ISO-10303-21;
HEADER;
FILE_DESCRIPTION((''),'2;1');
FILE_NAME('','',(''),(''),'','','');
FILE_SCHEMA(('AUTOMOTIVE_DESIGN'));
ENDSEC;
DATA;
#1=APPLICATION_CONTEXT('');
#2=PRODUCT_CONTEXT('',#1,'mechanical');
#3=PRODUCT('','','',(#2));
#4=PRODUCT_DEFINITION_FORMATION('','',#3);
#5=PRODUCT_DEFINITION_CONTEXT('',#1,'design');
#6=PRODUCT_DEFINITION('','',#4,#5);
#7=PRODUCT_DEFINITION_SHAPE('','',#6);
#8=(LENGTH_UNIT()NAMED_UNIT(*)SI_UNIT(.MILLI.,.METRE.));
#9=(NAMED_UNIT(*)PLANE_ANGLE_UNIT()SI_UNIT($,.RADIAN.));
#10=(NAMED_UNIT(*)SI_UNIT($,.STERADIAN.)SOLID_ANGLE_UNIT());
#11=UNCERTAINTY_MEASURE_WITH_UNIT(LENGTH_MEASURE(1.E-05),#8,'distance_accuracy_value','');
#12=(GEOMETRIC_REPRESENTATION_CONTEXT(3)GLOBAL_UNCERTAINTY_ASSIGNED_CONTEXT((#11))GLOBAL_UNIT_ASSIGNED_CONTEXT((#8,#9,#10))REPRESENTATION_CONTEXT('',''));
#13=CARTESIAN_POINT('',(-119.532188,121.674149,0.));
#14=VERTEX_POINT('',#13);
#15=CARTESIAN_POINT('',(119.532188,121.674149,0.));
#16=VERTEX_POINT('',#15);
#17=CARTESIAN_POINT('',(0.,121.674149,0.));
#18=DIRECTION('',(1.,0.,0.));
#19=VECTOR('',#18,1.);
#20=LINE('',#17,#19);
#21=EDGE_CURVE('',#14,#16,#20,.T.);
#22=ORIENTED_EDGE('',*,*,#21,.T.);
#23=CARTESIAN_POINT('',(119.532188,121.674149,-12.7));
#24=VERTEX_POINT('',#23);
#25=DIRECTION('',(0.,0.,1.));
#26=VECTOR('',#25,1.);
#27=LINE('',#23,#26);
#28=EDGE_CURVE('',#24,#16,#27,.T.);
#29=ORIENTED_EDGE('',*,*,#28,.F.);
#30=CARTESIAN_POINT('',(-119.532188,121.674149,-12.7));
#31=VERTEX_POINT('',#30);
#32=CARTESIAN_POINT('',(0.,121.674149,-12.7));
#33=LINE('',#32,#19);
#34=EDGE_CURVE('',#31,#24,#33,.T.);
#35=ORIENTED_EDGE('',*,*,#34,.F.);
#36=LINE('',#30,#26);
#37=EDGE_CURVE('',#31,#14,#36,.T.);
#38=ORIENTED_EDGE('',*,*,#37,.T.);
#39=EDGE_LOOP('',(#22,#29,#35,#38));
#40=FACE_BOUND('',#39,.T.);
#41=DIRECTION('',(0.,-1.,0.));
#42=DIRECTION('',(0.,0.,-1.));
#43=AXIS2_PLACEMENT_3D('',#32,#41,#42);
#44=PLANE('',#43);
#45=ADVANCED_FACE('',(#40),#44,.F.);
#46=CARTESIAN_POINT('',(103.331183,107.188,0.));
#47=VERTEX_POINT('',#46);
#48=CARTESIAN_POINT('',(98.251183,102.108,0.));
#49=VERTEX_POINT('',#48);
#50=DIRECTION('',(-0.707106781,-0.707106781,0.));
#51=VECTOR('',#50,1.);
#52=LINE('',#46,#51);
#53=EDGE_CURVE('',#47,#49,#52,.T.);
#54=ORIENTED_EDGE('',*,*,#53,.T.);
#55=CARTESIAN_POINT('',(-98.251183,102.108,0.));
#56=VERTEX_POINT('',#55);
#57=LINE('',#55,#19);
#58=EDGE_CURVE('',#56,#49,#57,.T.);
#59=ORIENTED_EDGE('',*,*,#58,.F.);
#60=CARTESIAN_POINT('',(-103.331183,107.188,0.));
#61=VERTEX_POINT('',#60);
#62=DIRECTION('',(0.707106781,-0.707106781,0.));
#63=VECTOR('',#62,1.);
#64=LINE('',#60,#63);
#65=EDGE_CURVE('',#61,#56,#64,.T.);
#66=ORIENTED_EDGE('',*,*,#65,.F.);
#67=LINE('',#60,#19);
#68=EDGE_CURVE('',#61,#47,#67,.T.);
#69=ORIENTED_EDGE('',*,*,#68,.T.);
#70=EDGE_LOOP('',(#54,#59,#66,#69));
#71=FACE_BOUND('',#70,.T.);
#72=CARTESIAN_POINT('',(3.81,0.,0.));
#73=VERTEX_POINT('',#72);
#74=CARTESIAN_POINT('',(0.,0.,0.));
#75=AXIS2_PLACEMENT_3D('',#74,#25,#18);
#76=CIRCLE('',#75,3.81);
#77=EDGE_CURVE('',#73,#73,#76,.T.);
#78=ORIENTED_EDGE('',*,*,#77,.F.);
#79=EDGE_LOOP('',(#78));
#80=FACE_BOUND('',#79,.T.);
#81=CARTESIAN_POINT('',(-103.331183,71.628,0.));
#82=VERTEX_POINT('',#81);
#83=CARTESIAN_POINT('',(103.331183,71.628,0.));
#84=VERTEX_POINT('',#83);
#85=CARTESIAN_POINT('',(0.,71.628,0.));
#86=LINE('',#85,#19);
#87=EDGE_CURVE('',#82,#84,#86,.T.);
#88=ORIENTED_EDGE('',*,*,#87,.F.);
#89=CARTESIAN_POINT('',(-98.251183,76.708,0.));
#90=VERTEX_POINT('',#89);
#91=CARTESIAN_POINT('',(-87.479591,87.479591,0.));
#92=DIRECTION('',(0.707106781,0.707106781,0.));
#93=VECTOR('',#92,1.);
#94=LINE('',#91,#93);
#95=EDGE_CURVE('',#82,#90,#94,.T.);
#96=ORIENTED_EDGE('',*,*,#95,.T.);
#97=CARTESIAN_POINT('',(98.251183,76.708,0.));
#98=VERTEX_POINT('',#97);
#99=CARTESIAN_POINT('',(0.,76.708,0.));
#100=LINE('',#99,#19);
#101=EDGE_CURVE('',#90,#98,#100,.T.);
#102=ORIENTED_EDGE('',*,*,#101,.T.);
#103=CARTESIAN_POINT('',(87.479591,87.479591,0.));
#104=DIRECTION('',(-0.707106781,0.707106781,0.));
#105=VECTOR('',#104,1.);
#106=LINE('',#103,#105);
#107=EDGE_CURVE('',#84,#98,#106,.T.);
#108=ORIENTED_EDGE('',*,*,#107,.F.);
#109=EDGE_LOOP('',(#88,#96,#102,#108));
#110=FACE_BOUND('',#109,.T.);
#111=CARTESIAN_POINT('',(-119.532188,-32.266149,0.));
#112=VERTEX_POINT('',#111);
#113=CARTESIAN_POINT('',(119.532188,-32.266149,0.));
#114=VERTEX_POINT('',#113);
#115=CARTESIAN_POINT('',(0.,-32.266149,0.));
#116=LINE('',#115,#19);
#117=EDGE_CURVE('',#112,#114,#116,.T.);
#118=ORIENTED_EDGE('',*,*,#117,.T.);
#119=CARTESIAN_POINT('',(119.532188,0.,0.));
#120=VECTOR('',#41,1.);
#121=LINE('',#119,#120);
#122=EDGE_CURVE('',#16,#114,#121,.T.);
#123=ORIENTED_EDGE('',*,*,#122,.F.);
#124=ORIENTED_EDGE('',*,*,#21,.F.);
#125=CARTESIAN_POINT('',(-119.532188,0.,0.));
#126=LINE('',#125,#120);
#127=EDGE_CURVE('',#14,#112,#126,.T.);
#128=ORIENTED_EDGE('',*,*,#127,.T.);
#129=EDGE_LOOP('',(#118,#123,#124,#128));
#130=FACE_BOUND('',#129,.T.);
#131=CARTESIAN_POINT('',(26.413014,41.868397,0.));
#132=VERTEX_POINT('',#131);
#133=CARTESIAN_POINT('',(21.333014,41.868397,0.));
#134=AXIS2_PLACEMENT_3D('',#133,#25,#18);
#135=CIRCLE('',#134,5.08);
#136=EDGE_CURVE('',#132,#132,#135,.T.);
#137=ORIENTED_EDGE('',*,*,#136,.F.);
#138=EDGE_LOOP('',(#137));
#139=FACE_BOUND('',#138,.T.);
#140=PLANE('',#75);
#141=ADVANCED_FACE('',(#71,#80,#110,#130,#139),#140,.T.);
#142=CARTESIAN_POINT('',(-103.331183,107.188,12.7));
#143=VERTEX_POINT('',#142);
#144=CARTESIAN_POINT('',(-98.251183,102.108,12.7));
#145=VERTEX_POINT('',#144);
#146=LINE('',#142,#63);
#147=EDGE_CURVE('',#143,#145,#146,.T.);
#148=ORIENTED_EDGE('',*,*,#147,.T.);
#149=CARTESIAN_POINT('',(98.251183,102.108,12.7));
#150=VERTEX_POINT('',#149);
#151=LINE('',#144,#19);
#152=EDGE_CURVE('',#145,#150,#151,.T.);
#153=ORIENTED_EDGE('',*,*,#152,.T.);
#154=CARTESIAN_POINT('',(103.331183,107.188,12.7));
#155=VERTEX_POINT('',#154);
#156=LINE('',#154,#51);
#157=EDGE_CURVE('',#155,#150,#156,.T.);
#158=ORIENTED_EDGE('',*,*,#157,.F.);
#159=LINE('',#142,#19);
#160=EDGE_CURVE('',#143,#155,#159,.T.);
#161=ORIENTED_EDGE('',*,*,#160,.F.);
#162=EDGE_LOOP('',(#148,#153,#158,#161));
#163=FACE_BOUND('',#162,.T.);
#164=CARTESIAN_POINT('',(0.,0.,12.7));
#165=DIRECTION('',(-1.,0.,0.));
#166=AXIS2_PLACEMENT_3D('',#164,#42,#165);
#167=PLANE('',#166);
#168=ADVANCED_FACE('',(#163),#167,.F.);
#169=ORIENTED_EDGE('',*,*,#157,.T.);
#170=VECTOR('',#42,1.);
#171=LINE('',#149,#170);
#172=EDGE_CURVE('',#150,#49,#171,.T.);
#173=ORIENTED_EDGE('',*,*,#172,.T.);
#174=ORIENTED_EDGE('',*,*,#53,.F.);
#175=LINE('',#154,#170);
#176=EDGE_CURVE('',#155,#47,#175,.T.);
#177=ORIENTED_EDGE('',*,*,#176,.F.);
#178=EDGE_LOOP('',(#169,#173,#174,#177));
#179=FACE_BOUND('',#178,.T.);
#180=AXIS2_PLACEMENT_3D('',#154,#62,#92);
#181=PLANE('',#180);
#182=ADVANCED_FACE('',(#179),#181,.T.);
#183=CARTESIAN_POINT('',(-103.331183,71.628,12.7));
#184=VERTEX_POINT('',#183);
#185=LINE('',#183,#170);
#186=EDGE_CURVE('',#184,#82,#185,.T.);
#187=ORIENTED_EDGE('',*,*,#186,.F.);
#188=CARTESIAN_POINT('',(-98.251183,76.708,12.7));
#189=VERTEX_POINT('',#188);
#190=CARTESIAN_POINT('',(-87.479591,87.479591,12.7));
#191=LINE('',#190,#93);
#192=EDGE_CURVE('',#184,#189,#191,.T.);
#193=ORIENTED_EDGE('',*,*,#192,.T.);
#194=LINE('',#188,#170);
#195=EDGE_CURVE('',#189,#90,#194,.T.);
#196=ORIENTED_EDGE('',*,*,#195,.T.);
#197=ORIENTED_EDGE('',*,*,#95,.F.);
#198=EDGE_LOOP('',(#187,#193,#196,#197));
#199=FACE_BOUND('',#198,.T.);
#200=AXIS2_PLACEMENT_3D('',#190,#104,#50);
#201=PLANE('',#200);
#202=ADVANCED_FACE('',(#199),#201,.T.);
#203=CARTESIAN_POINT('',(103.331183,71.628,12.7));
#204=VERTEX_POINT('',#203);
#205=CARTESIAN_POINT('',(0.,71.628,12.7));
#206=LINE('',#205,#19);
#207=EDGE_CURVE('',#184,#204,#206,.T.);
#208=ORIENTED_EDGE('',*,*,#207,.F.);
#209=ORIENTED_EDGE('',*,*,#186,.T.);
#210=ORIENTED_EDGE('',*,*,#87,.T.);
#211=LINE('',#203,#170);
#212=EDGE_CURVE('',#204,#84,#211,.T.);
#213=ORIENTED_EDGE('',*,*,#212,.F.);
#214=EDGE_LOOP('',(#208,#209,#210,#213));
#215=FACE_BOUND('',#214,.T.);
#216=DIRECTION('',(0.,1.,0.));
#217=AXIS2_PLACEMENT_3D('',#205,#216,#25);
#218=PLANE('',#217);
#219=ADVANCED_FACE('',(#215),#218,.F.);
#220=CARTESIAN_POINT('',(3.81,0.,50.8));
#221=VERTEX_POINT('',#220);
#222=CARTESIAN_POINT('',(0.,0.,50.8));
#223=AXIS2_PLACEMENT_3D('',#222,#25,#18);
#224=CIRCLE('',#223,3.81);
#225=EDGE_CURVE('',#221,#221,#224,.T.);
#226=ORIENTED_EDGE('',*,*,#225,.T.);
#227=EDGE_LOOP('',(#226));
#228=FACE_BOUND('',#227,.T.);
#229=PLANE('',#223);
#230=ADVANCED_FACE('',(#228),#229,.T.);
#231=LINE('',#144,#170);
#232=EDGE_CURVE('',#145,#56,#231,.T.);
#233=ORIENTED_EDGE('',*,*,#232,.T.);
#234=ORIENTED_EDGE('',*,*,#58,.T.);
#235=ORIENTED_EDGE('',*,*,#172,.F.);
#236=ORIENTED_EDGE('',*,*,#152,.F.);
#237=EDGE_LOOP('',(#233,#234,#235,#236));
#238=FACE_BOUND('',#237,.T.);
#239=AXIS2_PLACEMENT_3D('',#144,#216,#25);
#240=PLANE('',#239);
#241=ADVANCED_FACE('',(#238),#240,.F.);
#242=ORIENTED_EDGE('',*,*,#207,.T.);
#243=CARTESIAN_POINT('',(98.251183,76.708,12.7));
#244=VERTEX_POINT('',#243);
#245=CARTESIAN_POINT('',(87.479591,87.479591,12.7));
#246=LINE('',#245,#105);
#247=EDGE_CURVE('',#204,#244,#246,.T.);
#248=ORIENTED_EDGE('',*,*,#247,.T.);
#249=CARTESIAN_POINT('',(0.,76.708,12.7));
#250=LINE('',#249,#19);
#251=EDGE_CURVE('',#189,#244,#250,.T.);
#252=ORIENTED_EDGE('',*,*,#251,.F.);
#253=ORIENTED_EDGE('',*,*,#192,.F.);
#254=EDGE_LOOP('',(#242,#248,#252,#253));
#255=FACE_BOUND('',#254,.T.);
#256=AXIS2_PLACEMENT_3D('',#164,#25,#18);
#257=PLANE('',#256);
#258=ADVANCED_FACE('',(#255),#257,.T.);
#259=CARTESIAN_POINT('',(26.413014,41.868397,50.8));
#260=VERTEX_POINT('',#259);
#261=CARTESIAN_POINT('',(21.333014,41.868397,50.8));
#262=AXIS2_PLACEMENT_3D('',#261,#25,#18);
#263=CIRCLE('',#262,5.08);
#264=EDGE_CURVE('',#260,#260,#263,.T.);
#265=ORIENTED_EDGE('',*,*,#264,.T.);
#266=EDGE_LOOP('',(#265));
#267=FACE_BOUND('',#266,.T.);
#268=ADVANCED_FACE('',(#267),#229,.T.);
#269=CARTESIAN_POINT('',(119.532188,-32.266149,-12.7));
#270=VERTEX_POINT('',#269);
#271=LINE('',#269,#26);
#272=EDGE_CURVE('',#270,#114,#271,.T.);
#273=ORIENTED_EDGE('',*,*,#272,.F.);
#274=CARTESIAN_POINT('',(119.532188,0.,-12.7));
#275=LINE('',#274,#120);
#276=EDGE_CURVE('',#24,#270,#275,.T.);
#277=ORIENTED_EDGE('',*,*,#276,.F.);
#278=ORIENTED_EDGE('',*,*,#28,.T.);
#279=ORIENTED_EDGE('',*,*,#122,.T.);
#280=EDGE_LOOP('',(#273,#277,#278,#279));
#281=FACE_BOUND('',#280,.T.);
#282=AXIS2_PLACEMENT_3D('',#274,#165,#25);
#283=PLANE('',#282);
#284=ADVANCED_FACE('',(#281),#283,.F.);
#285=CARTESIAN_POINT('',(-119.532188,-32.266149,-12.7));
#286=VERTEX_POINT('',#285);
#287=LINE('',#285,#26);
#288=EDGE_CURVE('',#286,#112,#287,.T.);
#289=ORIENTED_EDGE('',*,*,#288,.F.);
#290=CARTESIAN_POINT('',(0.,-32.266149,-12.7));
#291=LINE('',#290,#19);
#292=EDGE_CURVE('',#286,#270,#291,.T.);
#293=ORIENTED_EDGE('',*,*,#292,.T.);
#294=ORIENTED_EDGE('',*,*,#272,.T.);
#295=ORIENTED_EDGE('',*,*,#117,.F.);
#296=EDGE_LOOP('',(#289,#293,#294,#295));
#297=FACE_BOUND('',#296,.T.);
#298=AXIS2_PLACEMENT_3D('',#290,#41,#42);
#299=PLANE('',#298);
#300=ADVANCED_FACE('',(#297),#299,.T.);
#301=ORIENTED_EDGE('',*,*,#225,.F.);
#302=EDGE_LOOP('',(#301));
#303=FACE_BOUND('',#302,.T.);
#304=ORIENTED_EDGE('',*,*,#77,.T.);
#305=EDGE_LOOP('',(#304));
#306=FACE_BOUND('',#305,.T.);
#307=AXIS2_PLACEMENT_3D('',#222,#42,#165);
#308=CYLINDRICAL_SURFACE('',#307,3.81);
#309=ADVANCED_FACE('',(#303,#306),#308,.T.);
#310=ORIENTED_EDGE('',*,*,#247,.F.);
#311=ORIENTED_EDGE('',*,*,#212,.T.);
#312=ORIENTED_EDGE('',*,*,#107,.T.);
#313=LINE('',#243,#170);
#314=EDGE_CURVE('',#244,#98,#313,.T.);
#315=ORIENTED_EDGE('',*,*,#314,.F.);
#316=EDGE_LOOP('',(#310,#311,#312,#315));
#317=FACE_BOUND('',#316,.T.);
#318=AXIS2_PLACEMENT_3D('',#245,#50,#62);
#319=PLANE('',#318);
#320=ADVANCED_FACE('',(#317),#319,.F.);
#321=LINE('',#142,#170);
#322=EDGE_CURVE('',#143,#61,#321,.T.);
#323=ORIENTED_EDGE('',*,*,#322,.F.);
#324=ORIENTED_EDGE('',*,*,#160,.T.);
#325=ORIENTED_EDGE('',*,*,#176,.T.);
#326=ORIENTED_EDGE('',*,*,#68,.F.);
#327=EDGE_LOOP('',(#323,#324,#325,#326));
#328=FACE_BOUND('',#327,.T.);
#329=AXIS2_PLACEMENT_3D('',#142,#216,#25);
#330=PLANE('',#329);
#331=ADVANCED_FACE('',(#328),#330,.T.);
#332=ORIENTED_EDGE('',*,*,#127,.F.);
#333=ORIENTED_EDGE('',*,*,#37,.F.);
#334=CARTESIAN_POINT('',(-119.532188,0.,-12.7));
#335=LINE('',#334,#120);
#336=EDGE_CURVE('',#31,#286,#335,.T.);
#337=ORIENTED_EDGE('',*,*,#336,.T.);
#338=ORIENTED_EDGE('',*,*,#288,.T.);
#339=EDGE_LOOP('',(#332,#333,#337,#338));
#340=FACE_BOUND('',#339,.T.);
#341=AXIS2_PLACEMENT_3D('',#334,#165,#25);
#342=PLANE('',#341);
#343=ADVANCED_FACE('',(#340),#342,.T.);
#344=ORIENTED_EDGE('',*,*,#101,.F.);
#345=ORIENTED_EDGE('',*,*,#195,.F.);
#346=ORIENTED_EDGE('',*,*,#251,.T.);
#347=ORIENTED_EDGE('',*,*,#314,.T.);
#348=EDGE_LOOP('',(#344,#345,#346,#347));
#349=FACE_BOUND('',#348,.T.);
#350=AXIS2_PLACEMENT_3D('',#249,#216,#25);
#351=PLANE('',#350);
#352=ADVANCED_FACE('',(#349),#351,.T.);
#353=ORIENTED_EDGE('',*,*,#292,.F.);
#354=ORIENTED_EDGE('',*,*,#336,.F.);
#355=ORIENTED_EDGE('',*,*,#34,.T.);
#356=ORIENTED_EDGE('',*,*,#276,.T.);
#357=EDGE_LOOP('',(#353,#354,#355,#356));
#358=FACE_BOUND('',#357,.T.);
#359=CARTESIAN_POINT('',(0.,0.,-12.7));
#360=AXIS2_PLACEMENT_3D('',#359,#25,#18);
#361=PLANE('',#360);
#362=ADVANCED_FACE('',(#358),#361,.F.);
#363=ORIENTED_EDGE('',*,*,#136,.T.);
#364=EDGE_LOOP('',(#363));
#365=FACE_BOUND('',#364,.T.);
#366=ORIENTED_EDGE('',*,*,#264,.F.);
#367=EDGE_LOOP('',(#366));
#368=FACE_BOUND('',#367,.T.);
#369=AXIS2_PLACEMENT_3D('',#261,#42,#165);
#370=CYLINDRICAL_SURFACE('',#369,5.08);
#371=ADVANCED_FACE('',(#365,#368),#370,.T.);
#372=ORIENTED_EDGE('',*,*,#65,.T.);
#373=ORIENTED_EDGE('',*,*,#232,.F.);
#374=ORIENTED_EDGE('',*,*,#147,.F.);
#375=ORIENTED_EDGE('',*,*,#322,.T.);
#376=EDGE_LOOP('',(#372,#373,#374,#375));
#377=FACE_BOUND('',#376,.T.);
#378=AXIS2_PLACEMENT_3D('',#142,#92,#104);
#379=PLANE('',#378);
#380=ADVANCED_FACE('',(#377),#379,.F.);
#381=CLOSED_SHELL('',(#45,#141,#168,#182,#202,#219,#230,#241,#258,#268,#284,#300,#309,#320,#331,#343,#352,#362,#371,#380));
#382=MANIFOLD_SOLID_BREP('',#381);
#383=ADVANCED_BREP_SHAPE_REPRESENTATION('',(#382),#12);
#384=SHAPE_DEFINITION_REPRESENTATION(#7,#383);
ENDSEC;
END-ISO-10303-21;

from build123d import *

# Parameters (mm, degrees)
BOSS_EXTRUDE2_DEPTH   = 12.7
BOSS_EXTRUDE2_2_DEPTH = 12.7
SKETCH2_7_W           = 239.064376672
SKETCH2_7_H           = 153.94029831
BOSS_EXTRUDE3_DEPTH   = 12.7
SKETCH2_8_R           = 3.81
SKETCH2_8_R_2         = 5.08
BOSS_EXTRUDE4_DEPTH   = 50.8


with BuildPart() as part:
    # Sketch2 → Boss-Extrude2 (new body)
    with BuildSketch(Plane.XY):
        Polygon((-103.331182916, 107.188), (-98.251182916, 102.108), (98.251182916, 102.108), (103.331182916, 107.188), align=None)
    extrude(amount=BOSS_EXTRUDE2_DEPTH)



with BuildPart() as body_2:
    # Sketch2 → Boss-Extrude2 2 (new body)
    with BuildSketch(Plane.XY):
        Polygon((103.331182916, 71.628), (98.251182916, 76.708), (-98.251182916, 76.708), (-103.331182916, 71.628), align=None)
    extrude(amount=BOSS_EXTRUDE2_2_DEPTH)


with BuildPart() as part_1:
    add(part.part)

    add(body_2.part)  # Boss-Extrude3 merges body 2
    # Sketch2<7> → Boss-Extrude3 (add)
    with BuildSketch(Plane.XY):
        with Locations((0, 44.704)):
            Rectangle(SKETCH2_7_W, SKETCH2_7_H)
    extrude(amount=-BOSS_EXTRUDE3_DEPTH)

    # Sketch2<8> → Boss-Extrude4 (add)
    with BuildSketch(Plane.XY):
        Circle(SKETCH2_8_R)
        with Locations((21.333013583, 41.868396572)):
            Circle(SKETCH2_8_R_2)
    extrude(amount=BOSS_EXTRUDE4_DEPTH)


solid = part_1.part
